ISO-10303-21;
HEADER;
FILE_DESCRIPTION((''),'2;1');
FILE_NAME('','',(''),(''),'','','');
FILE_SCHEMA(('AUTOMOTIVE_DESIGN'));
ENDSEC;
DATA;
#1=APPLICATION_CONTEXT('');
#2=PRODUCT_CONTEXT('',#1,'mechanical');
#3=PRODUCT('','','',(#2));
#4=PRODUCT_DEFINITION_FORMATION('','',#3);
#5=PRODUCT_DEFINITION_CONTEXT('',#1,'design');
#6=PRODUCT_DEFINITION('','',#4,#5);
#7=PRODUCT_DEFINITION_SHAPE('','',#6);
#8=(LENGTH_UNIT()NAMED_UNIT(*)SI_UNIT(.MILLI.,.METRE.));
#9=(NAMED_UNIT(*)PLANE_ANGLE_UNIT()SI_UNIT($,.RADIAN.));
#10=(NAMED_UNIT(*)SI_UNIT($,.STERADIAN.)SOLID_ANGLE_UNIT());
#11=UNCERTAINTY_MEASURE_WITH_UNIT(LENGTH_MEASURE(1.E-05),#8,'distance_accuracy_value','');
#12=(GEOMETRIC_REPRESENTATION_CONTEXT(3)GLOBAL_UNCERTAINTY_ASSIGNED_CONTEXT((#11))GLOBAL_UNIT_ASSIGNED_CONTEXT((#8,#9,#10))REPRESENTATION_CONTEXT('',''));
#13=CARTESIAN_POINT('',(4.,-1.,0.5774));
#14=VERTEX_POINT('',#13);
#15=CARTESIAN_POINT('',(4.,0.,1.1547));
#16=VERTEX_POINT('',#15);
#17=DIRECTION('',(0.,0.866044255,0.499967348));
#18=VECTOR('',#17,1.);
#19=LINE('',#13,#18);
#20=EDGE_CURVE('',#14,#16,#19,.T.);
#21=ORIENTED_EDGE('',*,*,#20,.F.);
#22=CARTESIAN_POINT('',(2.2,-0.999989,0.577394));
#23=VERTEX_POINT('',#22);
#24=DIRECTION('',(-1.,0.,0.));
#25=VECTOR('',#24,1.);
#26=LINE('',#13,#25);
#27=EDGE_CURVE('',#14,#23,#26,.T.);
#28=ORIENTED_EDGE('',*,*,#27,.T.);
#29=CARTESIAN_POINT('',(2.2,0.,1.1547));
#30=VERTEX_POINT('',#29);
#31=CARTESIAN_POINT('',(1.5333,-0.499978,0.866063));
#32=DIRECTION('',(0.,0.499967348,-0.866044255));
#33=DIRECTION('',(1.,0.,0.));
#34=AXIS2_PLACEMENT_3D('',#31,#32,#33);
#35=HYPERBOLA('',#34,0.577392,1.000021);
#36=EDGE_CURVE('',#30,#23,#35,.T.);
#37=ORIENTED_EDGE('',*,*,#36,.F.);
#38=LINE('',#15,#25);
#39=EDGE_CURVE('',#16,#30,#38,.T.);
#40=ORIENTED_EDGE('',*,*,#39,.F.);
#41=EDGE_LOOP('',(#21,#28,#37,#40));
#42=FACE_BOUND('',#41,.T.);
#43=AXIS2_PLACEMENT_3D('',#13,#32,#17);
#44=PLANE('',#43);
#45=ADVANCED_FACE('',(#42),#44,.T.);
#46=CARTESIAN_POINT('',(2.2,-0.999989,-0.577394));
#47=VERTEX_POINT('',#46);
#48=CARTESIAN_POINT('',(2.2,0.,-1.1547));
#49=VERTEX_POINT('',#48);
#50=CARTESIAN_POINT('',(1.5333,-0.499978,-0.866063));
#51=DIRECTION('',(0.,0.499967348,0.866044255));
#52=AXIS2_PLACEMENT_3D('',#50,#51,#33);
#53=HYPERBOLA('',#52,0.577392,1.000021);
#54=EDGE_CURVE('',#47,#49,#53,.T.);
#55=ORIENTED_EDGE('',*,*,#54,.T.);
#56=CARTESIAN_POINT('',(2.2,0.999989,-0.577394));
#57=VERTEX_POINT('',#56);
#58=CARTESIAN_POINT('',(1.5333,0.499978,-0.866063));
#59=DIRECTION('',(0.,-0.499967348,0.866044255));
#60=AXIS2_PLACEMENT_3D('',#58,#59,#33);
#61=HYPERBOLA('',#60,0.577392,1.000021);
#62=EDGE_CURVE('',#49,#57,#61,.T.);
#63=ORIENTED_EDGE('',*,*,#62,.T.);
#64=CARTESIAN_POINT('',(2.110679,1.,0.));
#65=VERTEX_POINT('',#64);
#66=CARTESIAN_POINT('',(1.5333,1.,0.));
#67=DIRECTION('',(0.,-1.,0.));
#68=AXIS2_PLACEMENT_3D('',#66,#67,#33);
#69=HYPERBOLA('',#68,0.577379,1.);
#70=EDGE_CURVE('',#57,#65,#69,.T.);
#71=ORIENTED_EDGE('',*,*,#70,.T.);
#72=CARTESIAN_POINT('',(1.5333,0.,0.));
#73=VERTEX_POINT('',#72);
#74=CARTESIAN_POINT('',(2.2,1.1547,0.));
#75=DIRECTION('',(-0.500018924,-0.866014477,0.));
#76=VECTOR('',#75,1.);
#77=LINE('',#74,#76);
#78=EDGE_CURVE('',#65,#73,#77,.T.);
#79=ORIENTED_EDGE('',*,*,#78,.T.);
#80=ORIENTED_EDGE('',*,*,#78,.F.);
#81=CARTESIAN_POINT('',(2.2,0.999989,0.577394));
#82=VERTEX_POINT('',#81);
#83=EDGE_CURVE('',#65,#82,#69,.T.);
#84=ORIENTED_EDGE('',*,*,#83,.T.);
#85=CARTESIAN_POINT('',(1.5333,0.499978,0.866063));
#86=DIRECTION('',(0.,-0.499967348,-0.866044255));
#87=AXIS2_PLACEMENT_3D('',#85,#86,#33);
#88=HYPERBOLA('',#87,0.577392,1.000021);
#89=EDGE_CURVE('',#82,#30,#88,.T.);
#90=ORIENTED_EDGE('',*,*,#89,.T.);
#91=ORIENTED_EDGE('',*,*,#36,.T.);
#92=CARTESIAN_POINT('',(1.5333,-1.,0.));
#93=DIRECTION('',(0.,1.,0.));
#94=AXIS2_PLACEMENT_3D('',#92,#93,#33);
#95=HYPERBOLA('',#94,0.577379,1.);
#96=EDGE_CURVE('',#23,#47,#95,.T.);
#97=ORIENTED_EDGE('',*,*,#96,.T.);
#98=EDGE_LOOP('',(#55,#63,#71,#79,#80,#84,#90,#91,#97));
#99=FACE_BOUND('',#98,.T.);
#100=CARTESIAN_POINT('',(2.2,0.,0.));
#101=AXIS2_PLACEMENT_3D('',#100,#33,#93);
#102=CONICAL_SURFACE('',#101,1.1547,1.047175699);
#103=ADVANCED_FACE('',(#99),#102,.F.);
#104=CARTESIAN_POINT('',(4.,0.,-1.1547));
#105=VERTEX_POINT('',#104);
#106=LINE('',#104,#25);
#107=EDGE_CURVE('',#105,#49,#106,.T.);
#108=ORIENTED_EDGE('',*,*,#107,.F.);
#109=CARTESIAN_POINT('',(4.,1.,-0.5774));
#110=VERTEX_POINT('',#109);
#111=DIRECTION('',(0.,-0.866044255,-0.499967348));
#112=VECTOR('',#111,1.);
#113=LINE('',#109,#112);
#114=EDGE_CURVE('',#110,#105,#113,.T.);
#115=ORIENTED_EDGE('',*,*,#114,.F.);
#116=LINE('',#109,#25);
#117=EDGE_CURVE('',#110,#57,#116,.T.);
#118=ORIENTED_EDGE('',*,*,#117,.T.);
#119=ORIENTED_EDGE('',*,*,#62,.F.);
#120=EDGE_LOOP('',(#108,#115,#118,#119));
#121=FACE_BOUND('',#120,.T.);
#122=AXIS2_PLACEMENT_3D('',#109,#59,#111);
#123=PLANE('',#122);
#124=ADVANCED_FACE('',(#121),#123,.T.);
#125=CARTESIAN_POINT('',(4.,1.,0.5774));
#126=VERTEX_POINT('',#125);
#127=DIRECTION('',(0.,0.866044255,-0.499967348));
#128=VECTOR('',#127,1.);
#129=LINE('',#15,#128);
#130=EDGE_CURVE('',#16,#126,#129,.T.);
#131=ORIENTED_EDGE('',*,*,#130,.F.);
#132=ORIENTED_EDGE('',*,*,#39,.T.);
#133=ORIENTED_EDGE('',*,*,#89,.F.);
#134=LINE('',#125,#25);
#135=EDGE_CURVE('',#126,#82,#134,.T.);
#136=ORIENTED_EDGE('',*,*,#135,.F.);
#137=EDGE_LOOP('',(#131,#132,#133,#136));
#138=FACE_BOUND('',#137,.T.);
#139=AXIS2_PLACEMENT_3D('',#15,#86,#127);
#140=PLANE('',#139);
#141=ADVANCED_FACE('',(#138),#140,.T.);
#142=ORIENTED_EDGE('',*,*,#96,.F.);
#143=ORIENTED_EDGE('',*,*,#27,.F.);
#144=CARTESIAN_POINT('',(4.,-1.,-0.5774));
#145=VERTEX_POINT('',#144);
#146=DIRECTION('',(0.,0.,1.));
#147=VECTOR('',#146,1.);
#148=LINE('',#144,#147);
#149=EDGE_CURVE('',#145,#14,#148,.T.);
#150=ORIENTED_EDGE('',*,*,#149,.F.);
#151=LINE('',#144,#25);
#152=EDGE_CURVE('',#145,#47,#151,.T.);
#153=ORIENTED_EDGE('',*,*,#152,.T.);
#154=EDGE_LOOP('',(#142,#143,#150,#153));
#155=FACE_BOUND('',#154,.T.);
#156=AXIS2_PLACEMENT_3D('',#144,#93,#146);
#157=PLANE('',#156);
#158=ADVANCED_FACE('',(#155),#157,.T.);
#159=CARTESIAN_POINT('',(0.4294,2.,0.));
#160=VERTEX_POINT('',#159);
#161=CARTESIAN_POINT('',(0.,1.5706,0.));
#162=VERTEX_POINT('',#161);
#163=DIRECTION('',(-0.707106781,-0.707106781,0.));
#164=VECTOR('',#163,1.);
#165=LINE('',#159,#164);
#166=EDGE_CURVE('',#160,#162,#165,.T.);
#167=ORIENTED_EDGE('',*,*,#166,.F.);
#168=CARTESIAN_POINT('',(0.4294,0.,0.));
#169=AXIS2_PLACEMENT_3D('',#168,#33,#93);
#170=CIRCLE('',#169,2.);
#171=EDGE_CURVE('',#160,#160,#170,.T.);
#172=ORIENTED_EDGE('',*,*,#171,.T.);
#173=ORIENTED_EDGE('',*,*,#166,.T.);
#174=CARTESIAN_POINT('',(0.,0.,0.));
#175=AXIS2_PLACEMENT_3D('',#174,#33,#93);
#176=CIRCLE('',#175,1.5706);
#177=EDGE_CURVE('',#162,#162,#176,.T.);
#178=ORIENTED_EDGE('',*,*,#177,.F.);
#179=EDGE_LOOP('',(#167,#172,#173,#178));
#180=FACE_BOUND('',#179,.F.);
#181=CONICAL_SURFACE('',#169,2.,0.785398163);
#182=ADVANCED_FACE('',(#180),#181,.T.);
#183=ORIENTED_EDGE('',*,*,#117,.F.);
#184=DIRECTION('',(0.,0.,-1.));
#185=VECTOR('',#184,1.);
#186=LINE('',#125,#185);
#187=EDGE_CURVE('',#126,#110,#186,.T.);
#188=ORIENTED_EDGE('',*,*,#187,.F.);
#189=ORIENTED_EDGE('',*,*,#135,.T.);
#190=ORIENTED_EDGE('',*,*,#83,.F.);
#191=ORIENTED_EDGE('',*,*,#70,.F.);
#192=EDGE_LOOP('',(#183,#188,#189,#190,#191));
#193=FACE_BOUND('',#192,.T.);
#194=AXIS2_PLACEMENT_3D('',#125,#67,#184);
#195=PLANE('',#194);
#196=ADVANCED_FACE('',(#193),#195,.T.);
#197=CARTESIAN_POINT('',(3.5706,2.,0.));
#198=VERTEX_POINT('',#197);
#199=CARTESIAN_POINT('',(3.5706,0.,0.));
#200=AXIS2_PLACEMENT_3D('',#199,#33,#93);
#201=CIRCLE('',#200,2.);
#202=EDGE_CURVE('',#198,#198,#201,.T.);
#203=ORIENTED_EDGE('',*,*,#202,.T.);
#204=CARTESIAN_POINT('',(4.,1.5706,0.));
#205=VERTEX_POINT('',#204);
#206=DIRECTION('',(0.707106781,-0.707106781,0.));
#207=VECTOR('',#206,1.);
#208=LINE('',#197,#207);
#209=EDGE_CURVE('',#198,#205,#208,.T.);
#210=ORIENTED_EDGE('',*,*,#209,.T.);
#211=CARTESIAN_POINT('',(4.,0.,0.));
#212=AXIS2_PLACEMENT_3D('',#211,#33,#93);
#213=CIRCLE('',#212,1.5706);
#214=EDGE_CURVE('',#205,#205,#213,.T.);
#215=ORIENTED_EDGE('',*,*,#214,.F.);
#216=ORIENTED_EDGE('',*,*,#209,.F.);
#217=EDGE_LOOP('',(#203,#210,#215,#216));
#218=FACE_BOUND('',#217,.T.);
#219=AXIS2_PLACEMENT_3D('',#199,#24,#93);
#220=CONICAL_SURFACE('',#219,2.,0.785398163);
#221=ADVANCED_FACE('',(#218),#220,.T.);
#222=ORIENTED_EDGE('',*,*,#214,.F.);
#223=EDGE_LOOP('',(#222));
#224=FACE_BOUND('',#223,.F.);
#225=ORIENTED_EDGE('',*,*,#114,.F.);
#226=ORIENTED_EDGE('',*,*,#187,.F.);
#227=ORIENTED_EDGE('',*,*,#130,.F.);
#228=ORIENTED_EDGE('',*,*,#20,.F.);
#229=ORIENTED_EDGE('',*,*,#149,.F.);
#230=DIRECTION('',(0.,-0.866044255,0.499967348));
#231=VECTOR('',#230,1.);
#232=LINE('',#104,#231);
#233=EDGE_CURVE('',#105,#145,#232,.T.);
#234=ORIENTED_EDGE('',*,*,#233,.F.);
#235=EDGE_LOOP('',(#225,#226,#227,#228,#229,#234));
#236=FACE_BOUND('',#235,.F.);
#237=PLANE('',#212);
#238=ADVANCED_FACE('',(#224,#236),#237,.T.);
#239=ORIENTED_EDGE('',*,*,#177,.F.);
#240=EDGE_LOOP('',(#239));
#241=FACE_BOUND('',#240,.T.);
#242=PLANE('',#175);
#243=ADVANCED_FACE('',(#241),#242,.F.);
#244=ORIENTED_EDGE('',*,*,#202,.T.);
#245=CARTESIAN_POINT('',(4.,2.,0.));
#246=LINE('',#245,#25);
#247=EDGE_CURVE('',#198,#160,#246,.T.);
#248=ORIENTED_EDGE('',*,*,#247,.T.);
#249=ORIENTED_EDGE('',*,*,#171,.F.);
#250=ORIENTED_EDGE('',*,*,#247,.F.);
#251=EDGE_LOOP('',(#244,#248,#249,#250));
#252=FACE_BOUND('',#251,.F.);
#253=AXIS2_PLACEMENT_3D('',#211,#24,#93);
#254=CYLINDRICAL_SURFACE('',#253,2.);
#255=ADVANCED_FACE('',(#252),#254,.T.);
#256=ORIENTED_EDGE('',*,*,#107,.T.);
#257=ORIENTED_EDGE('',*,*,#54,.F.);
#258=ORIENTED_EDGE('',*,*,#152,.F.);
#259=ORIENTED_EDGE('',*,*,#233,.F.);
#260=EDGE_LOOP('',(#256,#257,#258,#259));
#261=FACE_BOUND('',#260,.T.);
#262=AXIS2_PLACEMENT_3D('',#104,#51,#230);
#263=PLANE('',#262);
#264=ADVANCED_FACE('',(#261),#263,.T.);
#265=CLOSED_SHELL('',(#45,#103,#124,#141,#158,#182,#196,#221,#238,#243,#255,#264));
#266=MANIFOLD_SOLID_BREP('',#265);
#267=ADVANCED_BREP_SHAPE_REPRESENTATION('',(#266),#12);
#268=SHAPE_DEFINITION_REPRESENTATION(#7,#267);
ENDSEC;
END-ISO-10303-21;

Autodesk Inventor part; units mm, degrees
ref_plane "YZ Plane" through (0, 0, 0) normal (1, 0, 0) x (0, 1, 0)
ref_plane "XZ Plane" through (0, 0, 0) normal (0, 1, 0) x (-1, 0, 0)
sketch "Sketch1" plane through (0, 0, 0) normal (0, 0, 1) x (1, 0, 0)
  line L0 (0, 0) -> (1.5333, 0)
  line L1 (4, 1.1547) -> (4, 2)
  line L2 (4, 2) -> (0, 2)
  line L3 (4, 1.1547) -> (2.2, 1.1547)
  line L4 (2.2, 1.1547) -> (1.5333, 0)
  line L5 (0, -0.4) -> (0, 2.4) projected
  line L6 (0, 2) -> (0, 0)
  dimension "d0" = 1.8
  dimension "d1" = 60
  dimension "d2" = 4
  dimension "d3" = 2.3094
  dimension "d5" = 4
revolve "Body" add sketch "Sketch1" angle 360 about axis through (0, 0, 0) along (1, 0, 0)
chamfer "Chamfer1" distance 0.4294 angle 45 1 edges at (4, -2, 0) measured on face at (4, 1.6877, -0.2517)
sketch "Sketch2" plane through (4, 0, 0) normal (1, 0, 0) x (0, 0, -1)
  circle A0 centre (0, 0) radius 1.1547 projected
  line L0 (-0.5774, 1) -> (0.5774, 1)
  line L1 (0.5774, 1) -> (1.1547, 0)
  line L2 (1.1547, 0) -> (0.5774, -1)
  line L3 (0.5774, -1) -> (-0.5774, -1)
  line L4 (-0.5774, -1) -> (-1.1547, 0)
  line L5 (-1.1547, 0) -> (-0.5774, 1)
extrude "Slot" add sketch "Sketch2" against normal up to next contours L1 A0 | A0 L2 | L0 A0 | A0 L3 | L5 A0 | A0 L4
thread "Thread" size "M4x0.7" class "6g" standard "ANSI Metric M Profile" length 4
chamfer "Chamfer2" distance 0.4294 angle 45 1 edges at (0, -2, 0) measured on face at (1.1902, 1.9741, -0.3208)
ref_plane "Work Plane1" through (2, 0, 0) normal (0, 0.5, 0.866) x (1, 0, 0)
equation "\"d0\" = INTI"
equation "\"d2\" = NND"
equation "\"d3\" = 1.1547 * SW"
equation "\"d5\" = NLG"
equation "\"d7\" = -0.5 * GD1 + 0.5 * NND"
equation "\"d8\" = FAWI"
equation "\"d29\" = -0.5 * GD1 + 0.5 * NND"
equation "\"d11\" = NLG"
equation "\"d13\" = -0.5 * GD1 + 0.5 * NND"
equation "\"d14\" = FAWI"
equation "\"d30\" = -0.5 * GD1 + 0.5 * NND"
equation "\"NND\" = 4"
equation "\"NLG\" = 4"
equation "\"INTI\" = 1.8"
equation "\"FAWI\" = 45deg"
equation "\"SW\" = 2"
equation "\"GD1\" = THREADDIA - 1.2269 * PTC"
equation "\"FAWI1\" = 30deg"
equation "\"GUL\" = 0.61345 * PTC"
equation "\"SPD\" = 2.5"
equation "\"TOA\" = 30deg"
equation "\"THREADDIA\" = 4"
equation "\"PTC\" = 0.7"
equation "\"GAL\" = 0.61345 * PTC"
equation "\"E0\" = 1.155 * SW"
properties part number "ANSI B18.3.6M - M4x0.7 x 4" material "Steel, Mild"
